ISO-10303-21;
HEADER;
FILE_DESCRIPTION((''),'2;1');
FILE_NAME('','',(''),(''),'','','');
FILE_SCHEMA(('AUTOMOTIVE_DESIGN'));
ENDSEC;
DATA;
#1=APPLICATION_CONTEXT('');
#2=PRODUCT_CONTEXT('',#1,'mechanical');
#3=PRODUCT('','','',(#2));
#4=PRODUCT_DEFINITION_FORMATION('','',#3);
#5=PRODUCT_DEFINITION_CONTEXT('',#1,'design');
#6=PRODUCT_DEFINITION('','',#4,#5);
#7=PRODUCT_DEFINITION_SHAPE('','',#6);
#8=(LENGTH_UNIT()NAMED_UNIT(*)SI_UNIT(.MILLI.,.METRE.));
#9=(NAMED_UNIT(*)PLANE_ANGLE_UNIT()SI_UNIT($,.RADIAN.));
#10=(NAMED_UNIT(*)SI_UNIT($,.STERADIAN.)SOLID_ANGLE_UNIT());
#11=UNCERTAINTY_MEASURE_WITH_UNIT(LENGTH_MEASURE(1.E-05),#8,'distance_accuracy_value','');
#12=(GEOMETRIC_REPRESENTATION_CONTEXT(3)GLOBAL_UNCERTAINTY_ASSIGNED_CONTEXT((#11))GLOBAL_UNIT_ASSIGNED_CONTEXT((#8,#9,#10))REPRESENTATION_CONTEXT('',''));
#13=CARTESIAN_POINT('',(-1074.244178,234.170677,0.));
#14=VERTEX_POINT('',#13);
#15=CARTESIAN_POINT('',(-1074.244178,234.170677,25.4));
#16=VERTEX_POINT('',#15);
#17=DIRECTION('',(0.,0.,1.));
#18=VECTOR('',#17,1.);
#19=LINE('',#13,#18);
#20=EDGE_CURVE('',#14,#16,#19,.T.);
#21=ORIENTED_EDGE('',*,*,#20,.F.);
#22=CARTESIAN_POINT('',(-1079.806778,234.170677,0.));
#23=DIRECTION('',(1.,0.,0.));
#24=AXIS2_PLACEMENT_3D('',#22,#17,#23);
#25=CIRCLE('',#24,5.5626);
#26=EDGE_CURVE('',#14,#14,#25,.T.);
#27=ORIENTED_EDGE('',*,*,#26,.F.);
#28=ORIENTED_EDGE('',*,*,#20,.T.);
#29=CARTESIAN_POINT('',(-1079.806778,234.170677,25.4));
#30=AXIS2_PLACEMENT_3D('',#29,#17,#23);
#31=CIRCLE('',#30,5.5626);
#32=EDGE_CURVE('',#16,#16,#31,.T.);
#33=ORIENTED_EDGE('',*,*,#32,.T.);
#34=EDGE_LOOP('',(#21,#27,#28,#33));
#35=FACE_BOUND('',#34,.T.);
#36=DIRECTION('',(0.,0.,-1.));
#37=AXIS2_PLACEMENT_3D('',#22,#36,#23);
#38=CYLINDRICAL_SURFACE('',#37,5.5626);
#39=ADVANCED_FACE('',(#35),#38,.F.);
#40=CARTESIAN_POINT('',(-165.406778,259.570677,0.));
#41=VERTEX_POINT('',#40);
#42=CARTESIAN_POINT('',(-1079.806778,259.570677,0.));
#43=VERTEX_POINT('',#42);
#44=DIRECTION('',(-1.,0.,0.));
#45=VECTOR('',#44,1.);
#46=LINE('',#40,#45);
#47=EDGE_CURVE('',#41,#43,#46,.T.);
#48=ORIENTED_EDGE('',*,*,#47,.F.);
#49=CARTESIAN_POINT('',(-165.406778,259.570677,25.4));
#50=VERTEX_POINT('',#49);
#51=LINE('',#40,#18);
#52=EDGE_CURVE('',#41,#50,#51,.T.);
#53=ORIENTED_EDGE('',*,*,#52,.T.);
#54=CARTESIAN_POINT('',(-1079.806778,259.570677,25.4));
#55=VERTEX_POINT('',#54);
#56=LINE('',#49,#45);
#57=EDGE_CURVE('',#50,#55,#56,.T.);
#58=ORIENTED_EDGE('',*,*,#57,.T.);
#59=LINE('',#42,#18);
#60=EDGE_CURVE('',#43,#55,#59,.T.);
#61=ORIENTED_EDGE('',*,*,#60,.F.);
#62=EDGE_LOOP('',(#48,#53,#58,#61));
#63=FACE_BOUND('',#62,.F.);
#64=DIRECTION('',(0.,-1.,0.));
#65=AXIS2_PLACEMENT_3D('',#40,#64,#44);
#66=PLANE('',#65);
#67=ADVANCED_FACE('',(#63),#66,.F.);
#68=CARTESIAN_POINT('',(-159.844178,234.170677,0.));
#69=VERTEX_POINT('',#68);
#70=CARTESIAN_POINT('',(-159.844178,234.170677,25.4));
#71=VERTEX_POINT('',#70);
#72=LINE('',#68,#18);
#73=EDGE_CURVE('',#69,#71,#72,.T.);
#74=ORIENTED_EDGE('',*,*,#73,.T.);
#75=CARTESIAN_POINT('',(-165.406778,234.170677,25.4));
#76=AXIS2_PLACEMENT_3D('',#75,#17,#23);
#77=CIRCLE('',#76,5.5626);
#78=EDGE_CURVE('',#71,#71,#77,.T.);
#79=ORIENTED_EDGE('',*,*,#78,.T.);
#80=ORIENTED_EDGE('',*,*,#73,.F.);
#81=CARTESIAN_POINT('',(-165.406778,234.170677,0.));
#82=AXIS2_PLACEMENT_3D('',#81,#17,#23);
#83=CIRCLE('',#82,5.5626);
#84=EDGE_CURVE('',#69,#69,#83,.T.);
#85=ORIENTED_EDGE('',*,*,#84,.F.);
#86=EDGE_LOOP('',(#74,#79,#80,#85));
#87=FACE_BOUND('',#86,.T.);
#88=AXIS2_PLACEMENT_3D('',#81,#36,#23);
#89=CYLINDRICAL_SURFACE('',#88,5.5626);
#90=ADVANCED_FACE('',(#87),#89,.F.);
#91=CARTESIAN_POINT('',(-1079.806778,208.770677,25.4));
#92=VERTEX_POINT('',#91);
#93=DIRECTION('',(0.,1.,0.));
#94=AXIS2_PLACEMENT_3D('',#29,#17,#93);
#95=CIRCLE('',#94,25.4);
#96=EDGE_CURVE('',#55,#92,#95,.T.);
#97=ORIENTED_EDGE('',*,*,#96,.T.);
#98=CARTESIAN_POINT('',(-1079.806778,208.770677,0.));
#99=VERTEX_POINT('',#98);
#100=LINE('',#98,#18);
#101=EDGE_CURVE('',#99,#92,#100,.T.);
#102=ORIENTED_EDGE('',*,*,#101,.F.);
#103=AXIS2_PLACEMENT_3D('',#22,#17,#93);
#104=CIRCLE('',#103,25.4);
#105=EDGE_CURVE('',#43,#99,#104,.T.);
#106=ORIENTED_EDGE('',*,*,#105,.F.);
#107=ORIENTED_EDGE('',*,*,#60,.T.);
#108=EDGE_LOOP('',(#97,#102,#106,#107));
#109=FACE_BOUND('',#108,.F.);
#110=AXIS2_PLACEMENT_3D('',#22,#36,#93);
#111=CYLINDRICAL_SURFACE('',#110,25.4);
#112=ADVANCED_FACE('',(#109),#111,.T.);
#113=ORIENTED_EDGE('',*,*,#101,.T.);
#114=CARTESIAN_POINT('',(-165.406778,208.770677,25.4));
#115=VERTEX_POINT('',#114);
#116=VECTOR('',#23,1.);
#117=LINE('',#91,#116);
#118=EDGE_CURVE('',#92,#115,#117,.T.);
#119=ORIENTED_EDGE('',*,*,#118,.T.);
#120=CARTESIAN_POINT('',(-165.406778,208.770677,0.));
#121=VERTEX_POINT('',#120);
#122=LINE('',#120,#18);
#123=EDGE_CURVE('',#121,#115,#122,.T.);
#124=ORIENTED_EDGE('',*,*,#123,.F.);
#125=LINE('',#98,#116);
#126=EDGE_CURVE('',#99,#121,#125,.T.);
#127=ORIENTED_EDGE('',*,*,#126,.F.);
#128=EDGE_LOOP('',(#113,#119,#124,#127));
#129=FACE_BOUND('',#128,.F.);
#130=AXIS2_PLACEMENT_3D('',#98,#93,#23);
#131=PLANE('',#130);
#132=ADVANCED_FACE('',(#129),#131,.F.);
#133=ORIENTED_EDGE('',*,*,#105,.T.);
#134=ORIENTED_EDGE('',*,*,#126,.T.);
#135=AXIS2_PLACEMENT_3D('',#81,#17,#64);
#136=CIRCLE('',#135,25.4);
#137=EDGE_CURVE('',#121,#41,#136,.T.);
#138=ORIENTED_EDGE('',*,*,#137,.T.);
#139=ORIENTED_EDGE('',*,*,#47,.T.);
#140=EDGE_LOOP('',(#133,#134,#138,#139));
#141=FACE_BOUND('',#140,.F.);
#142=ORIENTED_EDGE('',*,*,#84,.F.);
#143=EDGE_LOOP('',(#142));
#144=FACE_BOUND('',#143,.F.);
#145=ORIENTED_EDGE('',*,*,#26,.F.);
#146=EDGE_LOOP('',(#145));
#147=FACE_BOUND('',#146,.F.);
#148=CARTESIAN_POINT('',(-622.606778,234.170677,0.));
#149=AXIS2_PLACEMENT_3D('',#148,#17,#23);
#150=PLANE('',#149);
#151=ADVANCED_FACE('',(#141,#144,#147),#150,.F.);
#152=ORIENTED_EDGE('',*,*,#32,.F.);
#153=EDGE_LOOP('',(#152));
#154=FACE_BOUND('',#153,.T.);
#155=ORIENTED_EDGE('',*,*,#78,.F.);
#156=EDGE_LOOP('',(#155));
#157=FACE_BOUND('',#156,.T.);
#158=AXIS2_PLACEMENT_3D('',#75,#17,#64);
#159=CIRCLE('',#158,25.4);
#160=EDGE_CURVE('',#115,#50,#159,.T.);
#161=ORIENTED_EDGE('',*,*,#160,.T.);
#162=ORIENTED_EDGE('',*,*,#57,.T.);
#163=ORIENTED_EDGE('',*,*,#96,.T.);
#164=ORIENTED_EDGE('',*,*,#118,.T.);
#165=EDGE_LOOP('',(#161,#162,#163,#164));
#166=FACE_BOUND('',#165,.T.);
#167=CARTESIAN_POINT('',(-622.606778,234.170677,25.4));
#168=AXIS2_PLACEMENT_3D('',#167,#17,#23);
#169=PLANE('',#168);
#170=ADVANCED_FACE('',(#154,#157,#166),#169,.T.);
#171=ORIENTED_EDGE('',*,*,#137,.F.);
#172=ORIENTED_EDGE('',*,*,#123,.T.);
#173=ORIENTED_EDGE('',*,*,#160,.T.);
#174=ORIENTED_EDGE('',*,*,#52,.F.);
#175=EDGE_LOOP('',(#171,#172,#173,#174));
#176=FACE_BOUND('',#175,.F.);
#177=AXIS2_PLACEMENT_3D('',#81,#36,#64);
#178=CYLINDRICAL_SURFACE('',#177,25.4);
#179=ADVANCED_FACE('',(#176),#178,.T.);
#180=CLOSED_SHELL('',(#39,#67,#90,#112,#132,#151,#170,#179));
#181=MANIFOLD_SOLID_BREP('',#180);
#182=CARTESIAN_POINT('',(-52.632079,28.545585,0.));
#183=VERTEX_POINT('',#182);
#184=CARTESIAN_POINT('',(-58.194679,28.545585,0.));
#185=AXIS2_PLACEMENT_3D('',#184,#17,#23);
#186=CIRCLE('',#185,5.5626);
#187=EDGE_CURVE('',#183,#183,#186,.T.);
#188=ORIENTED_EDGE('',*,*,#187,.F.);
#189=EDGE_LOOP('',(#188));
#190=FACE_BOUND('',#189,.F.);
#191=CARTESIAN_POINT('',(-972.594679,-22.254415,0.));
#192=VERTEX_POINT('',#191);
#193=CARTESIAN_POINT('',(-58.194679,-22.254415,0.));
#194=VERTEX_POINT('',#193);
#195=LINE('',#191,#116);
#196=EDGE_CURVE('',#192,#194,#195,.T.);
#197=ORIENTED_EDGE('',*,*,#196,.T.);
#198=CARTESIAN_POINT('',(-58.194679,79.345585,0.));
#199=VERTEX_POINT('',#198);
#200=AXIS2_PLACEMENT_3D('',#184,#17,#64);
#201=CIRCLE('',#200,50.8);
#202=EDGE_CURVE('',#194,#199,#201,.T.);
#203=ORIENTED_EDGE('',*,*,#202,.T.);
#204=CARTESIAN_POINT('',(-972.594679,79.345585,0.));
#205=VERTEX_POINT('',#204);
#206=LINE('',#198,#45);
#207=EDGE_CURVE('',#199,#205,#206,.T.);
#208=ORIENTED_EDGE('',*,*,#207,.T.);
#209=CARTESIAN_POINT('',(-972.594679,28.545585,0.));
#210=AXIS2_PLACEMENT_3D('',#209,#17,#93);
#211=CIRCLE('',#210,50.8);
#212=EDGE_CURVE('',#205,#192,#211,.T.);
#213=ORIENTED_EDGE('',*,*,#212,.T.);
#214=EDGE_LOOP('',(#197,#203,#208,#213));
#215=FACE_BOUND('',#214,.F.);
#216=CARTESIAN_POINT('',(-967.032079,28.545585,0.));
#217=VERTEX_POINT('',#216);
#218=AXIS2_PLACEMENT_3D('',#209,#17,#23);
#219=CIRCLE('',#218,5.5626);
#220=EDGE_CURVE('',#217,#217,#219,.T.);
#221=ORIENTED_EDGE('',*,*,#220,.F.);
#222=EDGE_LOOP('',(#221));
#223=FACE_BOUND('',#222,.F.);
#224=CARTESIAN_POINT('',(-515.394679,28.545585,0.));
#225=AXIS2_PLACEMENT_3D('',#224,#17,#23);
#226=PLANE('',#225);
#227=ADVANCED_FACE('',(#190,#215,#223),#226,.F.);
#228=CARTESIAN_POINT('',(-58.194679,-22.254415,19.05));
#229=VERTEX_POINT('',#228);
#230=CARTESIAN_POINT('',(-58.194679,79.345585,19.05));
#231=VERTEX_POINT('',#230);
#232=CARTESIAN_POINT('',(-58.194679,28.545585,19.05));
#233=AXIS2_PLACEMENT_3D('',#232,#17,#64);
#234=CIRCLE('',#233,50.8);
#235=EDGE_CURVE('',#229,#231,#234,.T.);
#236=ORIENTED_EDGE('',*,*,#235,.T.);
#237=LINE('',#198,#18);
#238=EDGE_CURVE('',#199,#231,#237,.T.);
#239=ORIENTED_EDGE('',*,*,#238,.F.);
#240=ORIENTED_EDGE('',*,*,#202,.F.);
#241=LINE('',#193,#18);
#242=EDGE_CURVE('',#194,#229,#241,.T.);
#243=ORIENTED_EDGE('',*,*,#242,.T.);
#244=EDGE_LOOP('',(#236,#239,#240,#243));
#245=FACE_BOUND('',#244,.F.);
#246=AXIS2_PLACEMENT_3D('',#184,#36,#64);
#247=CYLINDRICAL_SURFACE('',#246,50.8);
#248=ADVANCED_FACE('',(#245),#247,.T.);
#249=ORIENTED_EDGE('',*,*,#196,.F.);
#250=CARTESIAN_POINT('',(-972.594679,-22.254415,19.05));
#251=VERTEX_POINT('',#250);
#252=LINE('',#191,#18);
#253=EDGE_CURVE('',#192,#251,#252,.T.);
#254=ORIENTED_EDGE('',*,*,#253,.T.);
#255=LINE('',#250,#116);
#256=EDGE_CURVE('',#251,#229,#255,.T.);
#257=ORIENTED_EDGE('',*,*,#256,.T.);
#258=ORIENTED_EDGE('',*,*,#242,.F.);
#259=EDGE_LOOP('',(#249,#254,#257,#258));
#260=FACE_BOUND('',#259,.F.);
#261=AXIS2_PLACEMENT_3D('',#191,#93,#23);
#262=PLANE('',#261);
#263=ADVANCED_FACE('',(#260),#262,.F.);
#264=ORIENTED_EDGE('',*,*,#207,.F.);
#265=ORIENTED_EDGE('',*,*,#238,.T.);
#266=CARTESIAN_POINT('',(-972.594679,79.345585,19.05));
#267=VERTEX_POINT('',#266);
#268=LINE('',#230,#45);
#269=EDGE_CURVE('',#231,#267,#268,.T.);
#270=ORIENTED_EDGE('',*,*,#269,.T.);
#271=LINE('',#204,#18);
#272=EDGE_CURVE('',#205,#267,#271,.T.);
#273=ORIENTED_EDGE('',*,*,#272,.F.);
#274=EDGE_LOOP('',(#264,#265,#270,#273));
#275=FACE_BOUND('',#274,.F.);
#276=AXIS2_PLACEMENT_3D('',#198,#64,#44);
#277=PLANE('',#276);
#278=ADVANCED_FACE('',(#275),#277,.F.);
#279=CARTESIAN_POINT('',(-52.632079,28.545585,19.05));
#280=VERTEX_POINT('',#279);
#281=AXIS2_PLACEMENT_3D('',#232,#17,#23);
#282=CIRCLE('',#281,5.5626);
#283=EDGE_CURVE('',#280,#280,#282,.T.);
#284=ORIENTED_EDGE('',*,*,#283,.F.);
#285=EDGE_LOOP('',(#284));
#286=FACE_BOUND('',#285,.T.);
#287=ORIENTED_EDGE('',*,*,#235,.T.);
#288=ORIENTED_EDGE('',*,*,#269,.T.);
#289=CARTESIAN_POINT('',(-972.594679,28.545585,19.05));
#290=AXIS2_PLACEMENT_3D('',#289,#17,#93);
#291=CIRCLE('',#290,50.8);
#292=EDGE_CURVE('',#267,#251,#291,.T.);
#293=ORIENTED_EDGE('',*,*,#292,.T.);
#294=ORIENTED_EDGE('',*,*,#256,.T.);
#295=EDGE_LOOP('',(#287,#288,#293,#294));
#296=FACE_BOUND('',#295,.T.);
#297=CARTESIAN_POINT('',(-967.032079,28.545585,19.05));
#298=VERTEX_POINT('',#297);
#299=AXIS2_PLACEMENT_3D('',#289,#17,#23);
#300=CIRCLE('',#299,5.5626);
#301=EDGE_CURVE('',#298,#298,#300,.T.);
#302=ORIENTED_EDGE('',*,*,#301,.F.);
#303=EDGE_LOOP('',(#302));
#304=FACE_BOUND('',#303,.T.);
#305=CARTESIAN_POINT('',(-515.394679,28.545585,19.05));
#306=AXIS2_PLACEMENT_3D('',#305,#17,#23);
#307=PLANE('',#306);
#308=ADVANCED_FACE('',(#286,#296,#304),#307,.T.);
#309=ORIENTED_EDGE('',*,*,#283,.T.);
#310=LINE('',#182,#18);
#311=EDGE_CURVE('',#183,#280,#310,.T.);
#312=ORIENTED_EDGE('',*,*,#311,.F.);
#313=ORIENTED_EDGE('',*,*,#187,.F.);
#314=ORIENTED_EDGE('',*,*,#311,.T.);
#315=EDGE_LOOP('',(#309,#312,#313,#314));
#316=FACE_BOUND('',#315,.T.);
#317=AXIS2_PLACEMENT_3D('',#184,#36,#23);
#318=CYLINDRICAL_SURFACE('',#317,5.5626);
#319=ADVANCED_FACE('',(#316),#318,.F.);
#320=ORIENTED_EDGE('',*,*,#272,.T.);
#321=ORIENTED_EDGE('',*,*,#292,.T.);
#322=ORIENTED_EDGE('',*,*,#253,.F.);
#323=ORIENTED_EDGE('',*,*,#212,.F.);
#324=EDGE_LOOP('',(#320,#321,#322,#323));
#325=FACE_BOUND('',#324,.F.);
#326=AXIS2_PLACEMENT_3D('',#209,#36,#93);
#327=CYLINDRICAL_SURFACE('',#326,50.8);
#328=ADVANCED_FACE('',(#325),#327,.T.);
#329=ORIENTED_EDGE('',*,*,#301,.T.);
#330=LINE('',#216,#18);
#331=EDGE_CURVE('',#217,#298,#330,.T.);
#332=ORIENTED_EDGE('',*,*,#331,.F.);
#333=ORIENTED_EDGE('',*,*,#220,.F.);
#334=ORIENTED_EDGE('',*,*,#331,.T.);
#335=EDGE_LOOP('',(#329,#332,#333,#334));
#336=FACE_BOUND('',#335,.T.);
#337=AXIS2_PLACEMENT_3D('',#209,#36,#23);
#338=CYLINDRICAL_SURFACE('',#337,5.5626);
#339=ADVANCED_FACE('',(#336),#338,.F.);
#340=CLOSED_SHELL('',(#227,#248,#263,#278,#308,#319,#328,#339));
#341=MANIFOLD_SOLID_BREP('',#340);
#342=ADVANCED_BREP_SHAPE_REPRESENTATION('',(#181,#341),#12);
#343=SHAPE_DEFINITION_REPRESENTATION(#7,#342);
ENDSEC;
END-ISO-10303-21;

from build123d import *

# Parameters (mm, degrees)
F0_R     = 5.5626
F1_DEPTH = 19.05
F2_R     = 5.5626
F3_DEPTH = 25.4


with BuildPart() as f1:
    # F0 (on Top) → F1 (new body)
    with BuildSketch(Plane.XY):
        with BuildLine():
            Line((-58.194679, 79.345585), (-972.594679, 79.345585))
            ThreePointArc((-972.594679, 79.345585), (-1023.394679, 28.545585), (-972.594679, -22.254415))
            Line((-972.594679, -22.254415), (-58.194679, -22.254415))
            ThreePointArc((-58.194679, -22.254415), (-7.394679, 28.545585), (-58.194679, 79.345585))
        make_face()
        with Locations((-972.594679, 28.545585)):
            Circle(F0_R, mode=Mode.SUBTRACT)
        with Locations((-58.194679, 28.545585)):
            Circle(F0_R, mode=Mode.SUBTRACT)
    extrude(amount=F1_DEPTH)


with BuildPart() as f3:
    # F2 (on Top) → F3 (new body)
    with BuildSketch(Plane.XY):
        with BuildLine():
            Line((-165.406778, 259.570677), (-1079.806778, 259.570677))
            ThreePointArc((-1079.806778, 259.570677), (-1105.206778, 234.170677), (-1079.806778, 208.770677))
            Line((-1079.806778, 208.770677), (-165.406778, 208.770677))
            ThreePointArc((-165.406778, 208.770677), (-140.006778, 234.170677), (-165.406778, 259.570677))
        make_face()
        with Locations((-165.406778, 234.170677)):
            Circle(F2_R, mode=Mode.SUBTRACT)
        with Locations((-1079.806778, 234.170677)):
            Circle(F2_R, mode=Mode.SUBTRACT)
    extrude(amount=F3_DEPTH)


solid = Compound([f1.part, f3.part])
